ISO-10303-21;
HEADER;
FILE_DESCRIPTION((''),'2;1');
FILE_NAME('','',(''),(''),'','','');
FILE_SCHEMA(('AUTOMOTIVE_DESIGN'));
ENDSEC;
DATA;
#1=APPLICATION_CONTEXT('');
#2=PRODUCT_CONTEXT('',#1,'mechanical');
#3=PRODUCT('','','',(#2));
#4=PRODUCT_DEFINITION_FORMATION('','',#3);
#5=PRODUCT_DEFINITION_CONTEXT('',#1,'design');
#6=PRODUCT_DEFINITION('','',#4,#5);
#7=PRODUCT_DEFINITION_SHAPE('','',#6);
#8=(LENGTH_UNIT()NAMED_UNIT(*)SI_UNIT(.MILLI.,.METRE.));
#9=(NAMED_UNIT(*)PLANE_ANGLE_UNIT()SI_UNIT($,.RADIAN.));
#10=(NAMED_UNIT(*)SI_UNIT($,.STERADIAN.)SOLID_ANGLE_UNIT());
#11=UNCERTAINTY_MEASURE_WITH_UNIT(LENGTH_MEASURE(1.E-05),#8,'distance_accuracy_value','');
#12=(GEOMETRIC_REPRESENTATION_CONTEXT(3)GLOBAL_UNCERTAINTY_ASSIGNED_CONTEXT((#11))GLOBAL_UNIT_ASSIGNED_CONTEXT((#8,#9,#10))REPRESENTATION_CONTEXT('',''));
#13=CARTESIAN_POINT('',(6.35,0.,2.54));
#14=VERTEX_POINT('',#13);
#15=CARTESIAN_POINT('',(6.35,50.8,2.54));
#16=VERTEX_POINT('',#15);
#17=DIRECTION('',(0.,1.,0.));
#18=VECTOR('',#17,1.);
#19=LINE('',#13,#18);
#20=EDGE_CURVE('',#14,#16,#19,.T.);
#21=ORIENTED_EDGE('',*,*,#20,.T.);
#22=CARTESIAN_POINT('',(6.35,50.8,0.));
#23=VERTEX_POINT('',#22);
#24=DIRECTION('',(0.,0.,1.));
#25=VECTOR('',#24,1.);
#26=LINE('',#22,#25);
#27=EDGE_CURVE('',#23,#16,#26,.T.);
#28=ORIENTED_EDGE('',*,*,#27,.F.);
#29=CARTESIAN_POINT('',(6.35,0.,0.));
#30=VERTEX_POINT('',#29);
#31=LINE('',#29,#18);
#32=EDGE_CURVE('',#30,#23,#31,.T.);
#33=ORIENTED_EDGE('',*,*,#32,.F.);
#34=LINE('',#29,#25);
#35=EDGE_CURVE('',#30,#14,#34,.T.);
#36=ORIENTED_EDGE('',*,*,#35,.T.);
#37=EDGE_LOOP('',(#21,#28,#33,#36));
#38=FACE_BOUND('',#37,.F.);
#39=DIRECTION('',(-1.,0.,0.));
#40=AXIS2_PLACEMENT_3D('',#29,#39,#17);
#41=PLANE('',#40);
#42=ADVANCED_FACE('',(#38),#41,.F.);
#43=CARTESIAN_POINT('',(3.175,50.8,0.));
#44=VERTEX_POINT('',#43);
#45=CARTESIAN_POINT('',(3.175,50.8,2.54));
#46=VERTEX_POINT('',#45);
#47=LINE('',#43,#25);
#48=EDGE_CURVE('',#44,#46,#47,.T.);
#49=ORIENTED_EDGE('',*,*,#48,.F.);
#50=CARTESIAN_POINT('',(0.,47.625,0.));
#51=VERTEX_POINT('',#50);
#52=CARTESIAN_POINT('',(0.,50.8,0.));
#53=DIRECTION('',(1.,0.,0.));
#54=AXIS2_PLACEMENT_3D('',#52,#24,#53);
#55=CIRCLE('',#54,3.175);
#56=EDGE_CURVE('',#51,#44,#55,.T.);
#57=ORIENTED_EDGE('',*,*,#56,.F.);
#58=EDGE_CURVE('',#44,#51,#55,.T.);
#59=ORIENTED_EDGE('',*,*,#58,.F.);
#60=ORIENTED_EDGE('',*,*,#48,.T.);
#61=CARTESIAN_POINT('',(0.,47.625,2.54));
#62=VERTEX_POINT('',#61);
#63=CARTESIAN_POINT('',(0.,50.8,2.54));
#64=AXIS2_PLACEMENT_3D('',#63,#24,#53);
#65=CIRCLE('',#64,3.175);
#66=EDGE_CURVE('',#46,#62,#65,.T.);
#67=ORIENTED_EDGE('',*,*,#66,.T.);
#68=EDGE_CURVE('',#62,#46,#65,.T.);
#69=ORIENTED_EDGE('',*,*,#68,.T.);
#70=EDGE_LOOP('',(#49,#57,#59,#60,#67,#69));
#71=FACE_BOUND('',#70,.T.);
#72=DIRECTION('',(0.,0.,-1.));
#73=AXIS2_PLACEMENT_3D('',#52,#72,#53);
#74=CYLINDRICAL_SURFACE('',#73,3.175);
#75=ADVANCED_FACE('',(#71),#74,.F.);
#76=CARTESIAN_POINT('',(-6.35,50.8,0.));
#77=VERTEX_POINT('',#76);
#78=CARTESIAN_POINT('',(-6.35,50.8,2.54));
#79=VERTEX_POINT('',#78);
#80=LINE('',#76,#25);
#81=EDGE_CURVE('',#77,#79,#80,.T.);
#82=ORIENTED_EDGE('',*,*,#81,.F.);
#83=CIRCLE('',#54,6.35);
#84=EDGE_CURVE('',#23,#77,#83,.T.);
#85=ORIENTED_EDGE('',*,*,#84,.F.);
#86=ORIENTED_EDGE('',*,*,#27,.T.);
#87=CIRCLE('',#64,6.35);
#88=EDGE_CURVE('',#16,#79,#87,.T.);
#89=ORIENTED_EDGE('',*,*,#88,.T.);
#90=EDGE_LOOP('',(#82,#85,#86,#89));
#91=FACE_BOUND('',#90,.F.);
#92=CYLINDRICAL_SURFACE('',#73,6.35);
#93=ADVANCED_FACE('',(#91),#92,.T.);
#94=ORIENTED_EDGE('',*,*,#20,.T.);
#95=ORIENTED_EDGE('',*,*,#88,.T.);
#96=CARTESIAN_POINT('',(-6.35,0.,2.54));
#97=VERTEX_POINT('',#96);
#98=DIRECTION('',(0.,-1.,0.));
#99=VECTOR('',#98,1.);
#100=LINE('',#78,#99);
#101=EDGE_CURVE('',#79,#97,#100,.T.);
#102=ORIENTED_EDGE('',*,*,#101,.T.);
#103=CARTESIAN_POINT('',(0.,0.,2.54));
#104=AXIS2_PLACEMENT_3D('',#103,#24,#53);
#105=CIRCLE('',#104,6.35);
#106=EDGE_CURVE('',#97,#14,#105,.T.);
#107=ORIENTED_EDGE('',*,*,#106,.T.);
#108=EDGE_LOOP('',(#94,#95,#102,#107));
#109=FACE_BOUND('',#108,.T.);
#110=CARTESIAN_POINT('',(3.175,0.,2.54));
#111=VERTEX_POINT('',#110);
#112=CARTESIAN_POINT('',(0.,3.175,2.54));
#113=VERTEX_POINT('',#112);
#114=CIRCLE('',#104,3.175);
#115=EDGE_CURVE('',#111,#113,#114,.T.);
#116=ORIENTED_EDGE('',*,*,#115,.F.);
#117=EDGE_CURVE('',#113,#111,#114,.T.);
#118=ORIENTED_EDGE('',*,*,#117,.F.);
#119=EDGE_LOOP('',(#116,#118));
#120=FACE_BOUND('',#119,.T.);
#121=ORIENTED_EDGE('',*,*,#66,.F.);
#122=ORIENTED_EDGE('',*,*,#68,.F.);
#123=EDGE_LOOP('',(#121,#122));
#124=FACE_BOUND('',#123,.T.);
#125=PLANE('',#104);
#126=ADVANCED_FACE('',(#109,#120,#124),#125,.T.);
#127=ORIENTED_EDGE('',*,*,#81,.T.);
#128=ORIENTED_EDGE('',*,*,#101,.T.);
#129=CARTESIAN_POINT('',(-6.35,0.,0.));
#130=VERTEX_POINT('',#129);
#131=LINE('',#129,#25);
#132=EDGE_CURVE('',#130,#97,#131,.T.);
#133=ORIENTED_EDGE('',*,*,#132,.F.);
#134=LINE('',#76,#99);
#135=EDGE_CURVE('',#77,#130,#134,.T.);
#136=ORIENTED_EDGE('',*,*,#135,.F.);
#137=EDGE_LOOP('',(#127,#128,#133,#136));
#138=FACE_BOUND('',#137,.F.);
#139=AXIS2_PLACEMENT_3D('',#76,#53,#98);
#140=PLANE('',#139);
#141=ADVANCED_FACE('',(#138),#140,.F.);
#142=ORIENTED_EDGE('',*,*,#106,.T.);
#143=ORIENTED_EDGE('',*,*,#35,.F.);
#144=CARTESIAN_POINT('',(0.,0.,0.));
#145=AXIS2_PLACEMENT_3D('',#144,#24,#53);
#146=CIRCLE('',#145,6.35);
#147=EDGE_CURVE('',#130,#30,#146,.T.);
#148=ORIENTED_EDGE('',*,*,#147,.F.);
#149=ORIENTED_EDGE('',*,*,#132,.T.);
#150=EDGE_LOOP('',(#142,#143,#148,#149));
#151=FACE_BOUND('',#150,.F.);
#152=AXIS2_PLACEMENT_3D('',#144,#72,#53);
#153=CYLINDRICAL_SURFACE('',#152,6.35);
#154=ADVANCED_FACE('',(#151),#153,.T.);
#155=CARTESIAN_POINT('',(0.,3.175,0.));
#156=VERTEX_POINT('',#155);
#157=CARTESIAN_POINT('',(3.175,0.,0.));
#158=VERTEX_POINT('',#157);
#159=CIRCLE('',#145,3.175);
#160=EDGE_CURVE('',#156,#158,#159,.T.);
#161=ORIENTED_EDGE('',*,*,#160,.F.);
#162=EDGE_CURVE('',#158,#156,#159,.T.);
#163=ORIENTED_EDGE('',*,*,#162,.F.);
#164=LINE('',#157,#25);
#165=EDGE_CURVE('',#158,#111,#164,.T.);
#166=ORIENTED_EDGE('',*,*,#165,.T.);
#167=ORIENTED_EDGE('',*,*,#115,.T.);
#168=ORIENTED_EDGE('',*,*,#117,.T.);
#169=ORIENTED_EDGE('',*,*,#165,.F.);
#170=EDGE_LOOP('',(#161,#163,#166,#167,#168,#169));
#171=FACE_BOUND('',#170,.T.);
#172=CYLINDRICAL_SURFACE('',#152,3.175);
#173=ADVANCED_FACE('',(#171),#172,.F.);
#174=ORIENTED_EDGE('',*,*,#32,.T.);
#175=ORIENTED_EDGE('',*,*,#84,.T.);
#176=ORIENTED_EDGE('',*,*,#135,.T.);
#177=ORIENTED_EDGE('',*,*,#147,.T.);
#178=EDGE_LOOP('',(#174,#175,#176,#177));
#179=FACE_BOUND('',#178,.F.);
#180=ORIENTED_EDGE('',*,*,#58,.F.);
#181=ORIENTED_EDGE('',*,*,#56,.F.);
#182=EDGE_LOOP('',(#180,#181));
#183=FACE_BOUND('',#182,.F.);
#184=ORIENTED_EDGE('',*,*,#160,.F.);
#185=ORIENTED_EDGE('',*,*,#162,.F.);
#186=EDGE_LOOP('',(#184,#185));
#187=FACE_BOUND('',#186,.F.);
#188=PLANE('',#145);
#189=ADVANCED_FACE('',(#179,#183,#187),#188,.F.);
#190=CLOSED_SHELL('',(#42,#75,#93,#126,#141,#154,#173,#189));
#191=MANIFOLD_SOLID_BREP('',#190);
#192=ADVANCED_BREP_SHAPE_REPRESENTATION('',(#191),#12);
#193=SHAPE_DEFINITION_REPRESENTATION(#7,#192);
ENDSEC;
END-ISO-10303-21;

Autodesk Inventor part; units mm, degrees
ref_plane "YZ Plane" through (0, 0, 0) normal (1, 0, 0) x (0, 1, 0)
ref_plane "XZ Plane" through (0, 0, 0) normal (0, 1, 0) x (-1, 0, 0)
ref_plane "XY Plane" through (0, 0, 0) normal (0, 0, 1) x (1, 0, 0)
sketch "Sketch1" plane through (0, 0, 0) normal (0, 0, 1) x (1, 0, 0)
  circle A0 centre (0, 0) radius 6.35
  circle A1 centre (0, 0) radius 3.175
  line L0 (0, 0) -> (0, 50.8)
  circle A2 centre (0, 50.8) radius 6.35
  circle A3 centre (0, 50.8) radius 3.175
  line L1 (-6.35, 50.8) -> (-6.35, 0)
  line L2 (6.35, 0) -> (6.35, 50.8)
  dimension "d1" = 12.7
  dimension "d2" = 6.35
  dimension "d4" = 50.8
extrude "Extrusion1" add sketch "Sketch1" along normal blind 2.54
properties part number "arm"
